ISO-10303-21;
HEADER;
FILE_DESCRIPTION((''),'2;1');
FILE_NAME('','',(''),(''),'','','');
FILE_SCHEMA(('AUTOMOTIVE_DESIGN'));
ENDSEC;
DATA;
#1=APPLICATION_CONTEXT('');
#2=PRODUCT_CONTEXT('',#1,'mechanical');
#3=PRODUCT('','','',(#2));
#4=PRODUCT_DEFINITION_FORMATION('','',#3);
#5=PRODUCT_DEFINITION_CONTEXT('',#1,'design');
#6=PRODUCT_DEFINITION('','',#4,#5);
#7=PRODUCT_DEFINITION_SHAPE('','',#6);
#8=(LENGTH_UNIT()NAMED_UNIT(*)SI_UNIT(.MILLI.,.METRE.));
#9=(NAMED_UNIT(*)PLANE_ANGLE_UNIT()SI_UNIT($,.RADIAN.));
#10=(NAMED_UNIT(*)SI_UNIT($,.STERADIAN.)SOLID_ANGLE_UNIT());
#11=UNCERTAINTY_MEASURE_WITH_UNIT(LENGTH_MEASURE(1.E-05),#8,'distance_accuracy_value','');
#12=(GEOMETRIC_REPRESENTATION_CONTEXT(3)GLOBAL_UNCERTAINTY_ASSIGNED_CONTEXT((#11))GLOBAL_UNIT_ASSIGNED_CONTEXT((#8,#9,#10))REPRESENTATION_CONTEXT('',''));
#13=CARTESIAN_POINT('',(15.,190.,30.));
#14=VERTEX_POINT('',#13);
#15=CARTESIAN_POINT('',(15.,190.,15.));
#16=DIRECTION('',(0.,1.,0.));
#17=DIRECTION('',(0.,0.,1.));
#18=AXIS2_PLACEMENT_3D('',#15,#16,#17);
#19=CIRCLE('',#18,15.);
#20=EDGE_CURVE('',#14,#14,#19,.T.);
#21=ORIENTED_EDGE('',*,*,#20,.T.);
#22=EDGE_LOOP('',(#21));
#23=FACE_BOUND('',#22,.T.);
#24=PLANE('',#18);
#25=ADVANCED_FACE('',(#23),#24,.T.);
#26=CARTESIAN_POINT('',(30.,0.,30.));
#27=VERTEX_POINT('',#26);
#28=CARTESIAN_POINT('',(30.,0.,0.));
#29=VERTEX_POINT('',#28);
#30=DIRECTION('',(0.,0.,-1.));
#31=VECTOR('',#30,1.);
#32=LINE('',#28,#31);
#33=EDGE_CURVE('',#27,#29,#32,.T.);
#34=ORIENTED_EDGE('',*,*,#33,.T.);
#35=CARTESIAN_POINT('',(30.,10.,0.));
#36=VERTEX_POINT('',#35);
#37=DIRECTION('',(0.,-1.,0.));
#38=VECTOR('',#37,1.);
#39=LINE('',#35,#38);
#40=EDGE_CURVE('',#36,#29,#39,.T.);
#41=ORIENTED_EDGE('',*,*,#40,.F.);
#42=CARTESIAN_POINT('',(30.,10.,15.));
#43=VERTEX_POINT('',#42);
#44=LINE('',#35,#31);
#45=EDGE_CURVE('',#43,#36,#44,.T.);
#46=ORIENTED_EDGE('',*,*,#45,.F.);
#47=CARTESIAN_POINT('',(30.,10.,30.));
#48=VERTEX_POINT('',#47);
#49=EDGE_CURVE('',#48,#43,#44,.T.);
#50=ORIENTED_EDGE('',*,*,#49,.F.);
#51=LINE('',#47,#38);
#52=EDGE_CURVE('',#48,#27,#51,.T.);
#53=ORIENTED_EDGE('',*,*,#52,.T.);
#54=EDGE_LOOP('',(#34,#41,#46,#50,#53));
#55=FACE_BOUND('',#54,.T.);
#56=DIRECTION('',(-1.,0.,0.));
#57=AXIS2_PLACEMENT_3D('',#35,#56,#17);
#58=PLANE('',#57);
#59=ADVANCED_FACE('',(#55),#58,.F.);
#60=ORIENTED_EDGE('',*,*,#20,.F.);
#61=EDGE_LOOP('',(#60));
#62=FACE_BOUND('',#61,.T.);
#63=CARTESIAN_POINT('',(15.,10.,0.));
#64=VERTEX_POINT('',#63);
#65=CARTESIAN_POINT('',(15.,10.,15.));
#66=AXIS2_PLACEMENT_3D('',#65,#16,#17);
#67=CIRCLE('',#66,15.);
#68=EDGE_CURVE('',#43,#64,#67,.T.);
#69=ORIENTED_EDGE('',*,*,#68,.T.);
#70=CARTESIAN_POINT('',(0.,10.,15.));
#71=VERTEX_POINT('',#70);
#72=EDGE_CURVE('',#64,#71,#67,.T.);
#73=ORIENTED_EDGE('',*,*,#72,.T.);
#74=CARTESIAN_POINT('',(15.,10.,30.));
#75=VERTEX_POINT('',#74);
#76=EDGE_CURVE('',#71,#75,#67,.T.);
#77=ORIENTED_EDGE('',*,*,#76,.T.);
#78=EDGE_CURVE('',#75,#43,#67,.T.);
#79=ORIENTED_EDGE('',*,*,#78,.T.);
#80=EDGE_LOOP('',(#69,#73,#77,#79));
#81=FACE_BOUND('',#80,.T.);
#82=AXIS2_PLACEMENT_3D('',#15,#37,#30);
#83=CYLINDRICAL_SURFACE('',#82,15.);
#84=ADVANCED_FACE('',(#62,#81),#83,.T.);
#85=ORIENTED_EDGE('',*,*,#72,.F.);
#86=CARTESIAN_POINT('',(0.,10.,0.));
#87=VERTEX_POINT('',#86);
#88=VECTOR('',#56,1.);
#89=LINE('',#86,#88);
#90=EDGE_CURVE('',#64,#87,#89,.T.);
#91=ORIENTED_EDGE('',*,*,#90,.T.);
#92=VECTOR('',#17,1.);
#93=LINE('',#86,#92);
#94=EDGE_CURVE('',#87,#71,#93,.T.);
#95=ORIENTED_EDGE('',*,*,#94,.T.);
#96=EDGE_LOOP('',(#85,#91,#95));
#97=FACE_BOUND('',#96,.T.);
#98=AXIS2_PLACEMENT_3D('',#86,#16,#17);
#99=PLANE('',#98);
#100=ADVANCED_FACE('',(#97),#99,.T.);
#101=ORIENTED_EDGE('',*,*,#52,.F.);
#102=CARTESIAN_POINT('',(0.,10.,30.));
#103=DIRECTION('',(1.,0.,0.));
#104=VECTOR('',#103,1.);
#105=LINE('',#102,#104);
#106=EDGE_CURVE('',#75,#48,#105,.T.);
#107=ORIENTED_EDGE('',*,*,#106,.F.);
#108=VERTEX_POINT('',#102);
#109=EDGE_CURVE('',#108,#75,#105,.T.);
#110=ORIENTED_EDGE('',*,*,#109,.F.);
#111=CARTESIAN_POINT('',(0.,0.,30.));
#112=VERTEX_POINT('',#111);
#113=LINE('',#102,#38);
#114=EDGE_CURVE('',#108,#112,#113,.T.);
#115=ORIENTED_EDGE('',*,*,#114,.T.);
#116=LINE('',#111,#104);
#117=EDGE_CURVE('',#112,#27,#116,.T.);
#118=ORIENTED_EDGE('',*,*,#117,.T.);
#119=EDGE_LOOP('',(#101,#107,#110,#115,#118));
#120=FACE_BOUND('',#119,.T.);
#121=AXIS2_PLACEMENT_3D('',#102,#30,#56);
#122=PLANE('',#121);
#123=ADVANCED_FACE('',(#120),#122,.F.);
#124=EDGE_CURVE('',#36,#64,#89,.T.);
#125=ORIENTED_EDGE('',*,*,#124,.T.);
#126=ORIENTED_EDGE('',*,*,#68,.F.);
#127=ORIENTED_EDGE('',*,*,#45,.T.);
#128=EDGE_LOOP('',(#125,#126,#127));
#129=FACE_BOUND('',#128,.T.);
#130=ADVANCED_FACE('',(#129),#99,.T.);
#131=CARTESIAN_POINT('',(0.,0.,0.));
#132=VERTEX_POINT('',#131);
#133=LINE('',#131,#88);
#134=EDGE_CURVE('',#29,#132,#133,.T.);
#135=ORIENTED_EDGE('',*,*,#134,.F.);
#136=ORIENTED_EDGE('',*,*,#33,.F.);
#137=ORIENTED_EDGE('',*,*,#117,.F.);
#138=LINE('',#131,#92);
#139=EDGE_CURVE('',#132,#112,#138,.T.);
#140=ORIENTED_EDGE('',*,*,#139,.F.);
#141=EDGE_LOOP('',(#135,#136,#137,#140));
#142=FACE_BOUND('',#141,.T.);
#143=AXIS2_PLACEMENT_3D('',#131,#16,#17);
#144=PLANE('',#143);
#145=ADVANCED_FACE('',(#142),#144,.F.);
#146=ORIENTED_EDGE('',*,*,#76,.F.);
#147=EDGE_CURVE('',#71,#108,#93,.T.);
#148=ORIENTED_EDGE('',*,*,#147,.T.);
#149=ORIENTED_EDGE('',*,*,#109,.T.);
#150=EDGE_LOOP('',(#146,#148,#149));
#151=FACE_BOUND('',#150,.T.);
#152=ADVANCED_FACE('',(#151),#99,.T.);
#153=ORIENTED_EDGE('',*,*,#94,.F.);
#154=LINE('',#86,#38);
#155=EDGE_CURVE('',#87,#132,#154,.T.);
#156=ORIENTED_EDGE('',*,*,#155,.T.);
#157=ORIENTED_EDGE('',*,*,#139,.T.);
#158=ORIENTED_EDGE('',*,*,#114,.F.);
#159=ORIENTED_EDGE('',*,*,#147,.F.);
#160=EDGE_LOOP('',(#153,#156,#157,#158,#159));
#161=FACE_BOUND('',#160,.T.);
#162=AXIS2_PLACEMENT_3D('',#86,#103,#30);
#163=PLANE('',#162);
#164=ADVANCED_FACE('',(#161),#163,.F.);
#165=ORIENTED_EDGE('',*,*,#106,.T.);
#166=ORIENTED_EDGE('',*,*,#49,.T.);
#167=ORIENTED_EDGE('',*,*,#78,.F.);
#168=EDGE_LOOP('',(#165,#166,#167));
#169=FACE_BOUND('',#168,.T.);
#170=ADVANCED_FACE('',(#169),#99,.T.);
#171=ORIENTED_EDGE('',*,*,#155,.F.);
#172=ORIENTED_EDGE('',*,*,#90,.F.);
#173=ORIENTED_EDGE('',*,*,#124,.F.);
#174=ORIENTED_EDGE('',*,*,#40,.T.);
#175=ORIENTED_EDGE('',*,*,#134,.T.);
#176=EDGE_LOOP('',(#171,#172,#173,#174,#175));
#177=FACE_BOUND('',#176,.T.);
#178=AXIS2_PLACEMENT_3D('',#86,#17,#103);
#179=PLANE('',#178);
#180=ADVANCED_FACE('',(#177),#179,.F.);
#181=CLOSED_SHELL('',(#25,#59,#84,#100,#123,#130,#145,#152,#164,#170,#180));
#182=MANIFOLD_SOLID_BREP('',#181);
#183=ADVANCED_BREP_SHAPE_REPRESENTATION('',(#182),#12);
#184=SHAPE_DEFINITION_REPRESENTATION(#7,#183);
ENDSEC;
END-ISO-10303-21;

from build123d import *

# Parameters (mm, degrees)
SKETCH1_W           = 30
SKETCH1_H           = 30
BOSS_EXTRUDE1_DEPTH = 10
SKETCH2_R           = 15
BOSS_EXTRUDE2_DEPTH = 180


with BuildPart() as part:
    # Sketch1 → Boss-Extrude1 (new body)
    with BuildSketch(Plane(origin=(0, 0, 0), x_dir=(1, 0, 0), z_dir=(0, 1, 0))):
        with Locations((15, -15)):
            Rectangle(SKETCH1_W, SKETCH1_H)
    extrude(amount=BOSS_EXTRUDE1_DEPTH)

    # Sketch2 → Boss-Extrude2 (add)
    with BuildSketch(Plane(origin=(0, 10, 0), x_dir=(1, 0, 0), z_dir=(0, 1, 0))):
        with Locations(Location((15, -15, 0), (0, 0, 270))):
            Circle(SKETCH2_R)
    extrude(amount=BOSS_EXTRUDE2_DEPTH)


solid = part.part
